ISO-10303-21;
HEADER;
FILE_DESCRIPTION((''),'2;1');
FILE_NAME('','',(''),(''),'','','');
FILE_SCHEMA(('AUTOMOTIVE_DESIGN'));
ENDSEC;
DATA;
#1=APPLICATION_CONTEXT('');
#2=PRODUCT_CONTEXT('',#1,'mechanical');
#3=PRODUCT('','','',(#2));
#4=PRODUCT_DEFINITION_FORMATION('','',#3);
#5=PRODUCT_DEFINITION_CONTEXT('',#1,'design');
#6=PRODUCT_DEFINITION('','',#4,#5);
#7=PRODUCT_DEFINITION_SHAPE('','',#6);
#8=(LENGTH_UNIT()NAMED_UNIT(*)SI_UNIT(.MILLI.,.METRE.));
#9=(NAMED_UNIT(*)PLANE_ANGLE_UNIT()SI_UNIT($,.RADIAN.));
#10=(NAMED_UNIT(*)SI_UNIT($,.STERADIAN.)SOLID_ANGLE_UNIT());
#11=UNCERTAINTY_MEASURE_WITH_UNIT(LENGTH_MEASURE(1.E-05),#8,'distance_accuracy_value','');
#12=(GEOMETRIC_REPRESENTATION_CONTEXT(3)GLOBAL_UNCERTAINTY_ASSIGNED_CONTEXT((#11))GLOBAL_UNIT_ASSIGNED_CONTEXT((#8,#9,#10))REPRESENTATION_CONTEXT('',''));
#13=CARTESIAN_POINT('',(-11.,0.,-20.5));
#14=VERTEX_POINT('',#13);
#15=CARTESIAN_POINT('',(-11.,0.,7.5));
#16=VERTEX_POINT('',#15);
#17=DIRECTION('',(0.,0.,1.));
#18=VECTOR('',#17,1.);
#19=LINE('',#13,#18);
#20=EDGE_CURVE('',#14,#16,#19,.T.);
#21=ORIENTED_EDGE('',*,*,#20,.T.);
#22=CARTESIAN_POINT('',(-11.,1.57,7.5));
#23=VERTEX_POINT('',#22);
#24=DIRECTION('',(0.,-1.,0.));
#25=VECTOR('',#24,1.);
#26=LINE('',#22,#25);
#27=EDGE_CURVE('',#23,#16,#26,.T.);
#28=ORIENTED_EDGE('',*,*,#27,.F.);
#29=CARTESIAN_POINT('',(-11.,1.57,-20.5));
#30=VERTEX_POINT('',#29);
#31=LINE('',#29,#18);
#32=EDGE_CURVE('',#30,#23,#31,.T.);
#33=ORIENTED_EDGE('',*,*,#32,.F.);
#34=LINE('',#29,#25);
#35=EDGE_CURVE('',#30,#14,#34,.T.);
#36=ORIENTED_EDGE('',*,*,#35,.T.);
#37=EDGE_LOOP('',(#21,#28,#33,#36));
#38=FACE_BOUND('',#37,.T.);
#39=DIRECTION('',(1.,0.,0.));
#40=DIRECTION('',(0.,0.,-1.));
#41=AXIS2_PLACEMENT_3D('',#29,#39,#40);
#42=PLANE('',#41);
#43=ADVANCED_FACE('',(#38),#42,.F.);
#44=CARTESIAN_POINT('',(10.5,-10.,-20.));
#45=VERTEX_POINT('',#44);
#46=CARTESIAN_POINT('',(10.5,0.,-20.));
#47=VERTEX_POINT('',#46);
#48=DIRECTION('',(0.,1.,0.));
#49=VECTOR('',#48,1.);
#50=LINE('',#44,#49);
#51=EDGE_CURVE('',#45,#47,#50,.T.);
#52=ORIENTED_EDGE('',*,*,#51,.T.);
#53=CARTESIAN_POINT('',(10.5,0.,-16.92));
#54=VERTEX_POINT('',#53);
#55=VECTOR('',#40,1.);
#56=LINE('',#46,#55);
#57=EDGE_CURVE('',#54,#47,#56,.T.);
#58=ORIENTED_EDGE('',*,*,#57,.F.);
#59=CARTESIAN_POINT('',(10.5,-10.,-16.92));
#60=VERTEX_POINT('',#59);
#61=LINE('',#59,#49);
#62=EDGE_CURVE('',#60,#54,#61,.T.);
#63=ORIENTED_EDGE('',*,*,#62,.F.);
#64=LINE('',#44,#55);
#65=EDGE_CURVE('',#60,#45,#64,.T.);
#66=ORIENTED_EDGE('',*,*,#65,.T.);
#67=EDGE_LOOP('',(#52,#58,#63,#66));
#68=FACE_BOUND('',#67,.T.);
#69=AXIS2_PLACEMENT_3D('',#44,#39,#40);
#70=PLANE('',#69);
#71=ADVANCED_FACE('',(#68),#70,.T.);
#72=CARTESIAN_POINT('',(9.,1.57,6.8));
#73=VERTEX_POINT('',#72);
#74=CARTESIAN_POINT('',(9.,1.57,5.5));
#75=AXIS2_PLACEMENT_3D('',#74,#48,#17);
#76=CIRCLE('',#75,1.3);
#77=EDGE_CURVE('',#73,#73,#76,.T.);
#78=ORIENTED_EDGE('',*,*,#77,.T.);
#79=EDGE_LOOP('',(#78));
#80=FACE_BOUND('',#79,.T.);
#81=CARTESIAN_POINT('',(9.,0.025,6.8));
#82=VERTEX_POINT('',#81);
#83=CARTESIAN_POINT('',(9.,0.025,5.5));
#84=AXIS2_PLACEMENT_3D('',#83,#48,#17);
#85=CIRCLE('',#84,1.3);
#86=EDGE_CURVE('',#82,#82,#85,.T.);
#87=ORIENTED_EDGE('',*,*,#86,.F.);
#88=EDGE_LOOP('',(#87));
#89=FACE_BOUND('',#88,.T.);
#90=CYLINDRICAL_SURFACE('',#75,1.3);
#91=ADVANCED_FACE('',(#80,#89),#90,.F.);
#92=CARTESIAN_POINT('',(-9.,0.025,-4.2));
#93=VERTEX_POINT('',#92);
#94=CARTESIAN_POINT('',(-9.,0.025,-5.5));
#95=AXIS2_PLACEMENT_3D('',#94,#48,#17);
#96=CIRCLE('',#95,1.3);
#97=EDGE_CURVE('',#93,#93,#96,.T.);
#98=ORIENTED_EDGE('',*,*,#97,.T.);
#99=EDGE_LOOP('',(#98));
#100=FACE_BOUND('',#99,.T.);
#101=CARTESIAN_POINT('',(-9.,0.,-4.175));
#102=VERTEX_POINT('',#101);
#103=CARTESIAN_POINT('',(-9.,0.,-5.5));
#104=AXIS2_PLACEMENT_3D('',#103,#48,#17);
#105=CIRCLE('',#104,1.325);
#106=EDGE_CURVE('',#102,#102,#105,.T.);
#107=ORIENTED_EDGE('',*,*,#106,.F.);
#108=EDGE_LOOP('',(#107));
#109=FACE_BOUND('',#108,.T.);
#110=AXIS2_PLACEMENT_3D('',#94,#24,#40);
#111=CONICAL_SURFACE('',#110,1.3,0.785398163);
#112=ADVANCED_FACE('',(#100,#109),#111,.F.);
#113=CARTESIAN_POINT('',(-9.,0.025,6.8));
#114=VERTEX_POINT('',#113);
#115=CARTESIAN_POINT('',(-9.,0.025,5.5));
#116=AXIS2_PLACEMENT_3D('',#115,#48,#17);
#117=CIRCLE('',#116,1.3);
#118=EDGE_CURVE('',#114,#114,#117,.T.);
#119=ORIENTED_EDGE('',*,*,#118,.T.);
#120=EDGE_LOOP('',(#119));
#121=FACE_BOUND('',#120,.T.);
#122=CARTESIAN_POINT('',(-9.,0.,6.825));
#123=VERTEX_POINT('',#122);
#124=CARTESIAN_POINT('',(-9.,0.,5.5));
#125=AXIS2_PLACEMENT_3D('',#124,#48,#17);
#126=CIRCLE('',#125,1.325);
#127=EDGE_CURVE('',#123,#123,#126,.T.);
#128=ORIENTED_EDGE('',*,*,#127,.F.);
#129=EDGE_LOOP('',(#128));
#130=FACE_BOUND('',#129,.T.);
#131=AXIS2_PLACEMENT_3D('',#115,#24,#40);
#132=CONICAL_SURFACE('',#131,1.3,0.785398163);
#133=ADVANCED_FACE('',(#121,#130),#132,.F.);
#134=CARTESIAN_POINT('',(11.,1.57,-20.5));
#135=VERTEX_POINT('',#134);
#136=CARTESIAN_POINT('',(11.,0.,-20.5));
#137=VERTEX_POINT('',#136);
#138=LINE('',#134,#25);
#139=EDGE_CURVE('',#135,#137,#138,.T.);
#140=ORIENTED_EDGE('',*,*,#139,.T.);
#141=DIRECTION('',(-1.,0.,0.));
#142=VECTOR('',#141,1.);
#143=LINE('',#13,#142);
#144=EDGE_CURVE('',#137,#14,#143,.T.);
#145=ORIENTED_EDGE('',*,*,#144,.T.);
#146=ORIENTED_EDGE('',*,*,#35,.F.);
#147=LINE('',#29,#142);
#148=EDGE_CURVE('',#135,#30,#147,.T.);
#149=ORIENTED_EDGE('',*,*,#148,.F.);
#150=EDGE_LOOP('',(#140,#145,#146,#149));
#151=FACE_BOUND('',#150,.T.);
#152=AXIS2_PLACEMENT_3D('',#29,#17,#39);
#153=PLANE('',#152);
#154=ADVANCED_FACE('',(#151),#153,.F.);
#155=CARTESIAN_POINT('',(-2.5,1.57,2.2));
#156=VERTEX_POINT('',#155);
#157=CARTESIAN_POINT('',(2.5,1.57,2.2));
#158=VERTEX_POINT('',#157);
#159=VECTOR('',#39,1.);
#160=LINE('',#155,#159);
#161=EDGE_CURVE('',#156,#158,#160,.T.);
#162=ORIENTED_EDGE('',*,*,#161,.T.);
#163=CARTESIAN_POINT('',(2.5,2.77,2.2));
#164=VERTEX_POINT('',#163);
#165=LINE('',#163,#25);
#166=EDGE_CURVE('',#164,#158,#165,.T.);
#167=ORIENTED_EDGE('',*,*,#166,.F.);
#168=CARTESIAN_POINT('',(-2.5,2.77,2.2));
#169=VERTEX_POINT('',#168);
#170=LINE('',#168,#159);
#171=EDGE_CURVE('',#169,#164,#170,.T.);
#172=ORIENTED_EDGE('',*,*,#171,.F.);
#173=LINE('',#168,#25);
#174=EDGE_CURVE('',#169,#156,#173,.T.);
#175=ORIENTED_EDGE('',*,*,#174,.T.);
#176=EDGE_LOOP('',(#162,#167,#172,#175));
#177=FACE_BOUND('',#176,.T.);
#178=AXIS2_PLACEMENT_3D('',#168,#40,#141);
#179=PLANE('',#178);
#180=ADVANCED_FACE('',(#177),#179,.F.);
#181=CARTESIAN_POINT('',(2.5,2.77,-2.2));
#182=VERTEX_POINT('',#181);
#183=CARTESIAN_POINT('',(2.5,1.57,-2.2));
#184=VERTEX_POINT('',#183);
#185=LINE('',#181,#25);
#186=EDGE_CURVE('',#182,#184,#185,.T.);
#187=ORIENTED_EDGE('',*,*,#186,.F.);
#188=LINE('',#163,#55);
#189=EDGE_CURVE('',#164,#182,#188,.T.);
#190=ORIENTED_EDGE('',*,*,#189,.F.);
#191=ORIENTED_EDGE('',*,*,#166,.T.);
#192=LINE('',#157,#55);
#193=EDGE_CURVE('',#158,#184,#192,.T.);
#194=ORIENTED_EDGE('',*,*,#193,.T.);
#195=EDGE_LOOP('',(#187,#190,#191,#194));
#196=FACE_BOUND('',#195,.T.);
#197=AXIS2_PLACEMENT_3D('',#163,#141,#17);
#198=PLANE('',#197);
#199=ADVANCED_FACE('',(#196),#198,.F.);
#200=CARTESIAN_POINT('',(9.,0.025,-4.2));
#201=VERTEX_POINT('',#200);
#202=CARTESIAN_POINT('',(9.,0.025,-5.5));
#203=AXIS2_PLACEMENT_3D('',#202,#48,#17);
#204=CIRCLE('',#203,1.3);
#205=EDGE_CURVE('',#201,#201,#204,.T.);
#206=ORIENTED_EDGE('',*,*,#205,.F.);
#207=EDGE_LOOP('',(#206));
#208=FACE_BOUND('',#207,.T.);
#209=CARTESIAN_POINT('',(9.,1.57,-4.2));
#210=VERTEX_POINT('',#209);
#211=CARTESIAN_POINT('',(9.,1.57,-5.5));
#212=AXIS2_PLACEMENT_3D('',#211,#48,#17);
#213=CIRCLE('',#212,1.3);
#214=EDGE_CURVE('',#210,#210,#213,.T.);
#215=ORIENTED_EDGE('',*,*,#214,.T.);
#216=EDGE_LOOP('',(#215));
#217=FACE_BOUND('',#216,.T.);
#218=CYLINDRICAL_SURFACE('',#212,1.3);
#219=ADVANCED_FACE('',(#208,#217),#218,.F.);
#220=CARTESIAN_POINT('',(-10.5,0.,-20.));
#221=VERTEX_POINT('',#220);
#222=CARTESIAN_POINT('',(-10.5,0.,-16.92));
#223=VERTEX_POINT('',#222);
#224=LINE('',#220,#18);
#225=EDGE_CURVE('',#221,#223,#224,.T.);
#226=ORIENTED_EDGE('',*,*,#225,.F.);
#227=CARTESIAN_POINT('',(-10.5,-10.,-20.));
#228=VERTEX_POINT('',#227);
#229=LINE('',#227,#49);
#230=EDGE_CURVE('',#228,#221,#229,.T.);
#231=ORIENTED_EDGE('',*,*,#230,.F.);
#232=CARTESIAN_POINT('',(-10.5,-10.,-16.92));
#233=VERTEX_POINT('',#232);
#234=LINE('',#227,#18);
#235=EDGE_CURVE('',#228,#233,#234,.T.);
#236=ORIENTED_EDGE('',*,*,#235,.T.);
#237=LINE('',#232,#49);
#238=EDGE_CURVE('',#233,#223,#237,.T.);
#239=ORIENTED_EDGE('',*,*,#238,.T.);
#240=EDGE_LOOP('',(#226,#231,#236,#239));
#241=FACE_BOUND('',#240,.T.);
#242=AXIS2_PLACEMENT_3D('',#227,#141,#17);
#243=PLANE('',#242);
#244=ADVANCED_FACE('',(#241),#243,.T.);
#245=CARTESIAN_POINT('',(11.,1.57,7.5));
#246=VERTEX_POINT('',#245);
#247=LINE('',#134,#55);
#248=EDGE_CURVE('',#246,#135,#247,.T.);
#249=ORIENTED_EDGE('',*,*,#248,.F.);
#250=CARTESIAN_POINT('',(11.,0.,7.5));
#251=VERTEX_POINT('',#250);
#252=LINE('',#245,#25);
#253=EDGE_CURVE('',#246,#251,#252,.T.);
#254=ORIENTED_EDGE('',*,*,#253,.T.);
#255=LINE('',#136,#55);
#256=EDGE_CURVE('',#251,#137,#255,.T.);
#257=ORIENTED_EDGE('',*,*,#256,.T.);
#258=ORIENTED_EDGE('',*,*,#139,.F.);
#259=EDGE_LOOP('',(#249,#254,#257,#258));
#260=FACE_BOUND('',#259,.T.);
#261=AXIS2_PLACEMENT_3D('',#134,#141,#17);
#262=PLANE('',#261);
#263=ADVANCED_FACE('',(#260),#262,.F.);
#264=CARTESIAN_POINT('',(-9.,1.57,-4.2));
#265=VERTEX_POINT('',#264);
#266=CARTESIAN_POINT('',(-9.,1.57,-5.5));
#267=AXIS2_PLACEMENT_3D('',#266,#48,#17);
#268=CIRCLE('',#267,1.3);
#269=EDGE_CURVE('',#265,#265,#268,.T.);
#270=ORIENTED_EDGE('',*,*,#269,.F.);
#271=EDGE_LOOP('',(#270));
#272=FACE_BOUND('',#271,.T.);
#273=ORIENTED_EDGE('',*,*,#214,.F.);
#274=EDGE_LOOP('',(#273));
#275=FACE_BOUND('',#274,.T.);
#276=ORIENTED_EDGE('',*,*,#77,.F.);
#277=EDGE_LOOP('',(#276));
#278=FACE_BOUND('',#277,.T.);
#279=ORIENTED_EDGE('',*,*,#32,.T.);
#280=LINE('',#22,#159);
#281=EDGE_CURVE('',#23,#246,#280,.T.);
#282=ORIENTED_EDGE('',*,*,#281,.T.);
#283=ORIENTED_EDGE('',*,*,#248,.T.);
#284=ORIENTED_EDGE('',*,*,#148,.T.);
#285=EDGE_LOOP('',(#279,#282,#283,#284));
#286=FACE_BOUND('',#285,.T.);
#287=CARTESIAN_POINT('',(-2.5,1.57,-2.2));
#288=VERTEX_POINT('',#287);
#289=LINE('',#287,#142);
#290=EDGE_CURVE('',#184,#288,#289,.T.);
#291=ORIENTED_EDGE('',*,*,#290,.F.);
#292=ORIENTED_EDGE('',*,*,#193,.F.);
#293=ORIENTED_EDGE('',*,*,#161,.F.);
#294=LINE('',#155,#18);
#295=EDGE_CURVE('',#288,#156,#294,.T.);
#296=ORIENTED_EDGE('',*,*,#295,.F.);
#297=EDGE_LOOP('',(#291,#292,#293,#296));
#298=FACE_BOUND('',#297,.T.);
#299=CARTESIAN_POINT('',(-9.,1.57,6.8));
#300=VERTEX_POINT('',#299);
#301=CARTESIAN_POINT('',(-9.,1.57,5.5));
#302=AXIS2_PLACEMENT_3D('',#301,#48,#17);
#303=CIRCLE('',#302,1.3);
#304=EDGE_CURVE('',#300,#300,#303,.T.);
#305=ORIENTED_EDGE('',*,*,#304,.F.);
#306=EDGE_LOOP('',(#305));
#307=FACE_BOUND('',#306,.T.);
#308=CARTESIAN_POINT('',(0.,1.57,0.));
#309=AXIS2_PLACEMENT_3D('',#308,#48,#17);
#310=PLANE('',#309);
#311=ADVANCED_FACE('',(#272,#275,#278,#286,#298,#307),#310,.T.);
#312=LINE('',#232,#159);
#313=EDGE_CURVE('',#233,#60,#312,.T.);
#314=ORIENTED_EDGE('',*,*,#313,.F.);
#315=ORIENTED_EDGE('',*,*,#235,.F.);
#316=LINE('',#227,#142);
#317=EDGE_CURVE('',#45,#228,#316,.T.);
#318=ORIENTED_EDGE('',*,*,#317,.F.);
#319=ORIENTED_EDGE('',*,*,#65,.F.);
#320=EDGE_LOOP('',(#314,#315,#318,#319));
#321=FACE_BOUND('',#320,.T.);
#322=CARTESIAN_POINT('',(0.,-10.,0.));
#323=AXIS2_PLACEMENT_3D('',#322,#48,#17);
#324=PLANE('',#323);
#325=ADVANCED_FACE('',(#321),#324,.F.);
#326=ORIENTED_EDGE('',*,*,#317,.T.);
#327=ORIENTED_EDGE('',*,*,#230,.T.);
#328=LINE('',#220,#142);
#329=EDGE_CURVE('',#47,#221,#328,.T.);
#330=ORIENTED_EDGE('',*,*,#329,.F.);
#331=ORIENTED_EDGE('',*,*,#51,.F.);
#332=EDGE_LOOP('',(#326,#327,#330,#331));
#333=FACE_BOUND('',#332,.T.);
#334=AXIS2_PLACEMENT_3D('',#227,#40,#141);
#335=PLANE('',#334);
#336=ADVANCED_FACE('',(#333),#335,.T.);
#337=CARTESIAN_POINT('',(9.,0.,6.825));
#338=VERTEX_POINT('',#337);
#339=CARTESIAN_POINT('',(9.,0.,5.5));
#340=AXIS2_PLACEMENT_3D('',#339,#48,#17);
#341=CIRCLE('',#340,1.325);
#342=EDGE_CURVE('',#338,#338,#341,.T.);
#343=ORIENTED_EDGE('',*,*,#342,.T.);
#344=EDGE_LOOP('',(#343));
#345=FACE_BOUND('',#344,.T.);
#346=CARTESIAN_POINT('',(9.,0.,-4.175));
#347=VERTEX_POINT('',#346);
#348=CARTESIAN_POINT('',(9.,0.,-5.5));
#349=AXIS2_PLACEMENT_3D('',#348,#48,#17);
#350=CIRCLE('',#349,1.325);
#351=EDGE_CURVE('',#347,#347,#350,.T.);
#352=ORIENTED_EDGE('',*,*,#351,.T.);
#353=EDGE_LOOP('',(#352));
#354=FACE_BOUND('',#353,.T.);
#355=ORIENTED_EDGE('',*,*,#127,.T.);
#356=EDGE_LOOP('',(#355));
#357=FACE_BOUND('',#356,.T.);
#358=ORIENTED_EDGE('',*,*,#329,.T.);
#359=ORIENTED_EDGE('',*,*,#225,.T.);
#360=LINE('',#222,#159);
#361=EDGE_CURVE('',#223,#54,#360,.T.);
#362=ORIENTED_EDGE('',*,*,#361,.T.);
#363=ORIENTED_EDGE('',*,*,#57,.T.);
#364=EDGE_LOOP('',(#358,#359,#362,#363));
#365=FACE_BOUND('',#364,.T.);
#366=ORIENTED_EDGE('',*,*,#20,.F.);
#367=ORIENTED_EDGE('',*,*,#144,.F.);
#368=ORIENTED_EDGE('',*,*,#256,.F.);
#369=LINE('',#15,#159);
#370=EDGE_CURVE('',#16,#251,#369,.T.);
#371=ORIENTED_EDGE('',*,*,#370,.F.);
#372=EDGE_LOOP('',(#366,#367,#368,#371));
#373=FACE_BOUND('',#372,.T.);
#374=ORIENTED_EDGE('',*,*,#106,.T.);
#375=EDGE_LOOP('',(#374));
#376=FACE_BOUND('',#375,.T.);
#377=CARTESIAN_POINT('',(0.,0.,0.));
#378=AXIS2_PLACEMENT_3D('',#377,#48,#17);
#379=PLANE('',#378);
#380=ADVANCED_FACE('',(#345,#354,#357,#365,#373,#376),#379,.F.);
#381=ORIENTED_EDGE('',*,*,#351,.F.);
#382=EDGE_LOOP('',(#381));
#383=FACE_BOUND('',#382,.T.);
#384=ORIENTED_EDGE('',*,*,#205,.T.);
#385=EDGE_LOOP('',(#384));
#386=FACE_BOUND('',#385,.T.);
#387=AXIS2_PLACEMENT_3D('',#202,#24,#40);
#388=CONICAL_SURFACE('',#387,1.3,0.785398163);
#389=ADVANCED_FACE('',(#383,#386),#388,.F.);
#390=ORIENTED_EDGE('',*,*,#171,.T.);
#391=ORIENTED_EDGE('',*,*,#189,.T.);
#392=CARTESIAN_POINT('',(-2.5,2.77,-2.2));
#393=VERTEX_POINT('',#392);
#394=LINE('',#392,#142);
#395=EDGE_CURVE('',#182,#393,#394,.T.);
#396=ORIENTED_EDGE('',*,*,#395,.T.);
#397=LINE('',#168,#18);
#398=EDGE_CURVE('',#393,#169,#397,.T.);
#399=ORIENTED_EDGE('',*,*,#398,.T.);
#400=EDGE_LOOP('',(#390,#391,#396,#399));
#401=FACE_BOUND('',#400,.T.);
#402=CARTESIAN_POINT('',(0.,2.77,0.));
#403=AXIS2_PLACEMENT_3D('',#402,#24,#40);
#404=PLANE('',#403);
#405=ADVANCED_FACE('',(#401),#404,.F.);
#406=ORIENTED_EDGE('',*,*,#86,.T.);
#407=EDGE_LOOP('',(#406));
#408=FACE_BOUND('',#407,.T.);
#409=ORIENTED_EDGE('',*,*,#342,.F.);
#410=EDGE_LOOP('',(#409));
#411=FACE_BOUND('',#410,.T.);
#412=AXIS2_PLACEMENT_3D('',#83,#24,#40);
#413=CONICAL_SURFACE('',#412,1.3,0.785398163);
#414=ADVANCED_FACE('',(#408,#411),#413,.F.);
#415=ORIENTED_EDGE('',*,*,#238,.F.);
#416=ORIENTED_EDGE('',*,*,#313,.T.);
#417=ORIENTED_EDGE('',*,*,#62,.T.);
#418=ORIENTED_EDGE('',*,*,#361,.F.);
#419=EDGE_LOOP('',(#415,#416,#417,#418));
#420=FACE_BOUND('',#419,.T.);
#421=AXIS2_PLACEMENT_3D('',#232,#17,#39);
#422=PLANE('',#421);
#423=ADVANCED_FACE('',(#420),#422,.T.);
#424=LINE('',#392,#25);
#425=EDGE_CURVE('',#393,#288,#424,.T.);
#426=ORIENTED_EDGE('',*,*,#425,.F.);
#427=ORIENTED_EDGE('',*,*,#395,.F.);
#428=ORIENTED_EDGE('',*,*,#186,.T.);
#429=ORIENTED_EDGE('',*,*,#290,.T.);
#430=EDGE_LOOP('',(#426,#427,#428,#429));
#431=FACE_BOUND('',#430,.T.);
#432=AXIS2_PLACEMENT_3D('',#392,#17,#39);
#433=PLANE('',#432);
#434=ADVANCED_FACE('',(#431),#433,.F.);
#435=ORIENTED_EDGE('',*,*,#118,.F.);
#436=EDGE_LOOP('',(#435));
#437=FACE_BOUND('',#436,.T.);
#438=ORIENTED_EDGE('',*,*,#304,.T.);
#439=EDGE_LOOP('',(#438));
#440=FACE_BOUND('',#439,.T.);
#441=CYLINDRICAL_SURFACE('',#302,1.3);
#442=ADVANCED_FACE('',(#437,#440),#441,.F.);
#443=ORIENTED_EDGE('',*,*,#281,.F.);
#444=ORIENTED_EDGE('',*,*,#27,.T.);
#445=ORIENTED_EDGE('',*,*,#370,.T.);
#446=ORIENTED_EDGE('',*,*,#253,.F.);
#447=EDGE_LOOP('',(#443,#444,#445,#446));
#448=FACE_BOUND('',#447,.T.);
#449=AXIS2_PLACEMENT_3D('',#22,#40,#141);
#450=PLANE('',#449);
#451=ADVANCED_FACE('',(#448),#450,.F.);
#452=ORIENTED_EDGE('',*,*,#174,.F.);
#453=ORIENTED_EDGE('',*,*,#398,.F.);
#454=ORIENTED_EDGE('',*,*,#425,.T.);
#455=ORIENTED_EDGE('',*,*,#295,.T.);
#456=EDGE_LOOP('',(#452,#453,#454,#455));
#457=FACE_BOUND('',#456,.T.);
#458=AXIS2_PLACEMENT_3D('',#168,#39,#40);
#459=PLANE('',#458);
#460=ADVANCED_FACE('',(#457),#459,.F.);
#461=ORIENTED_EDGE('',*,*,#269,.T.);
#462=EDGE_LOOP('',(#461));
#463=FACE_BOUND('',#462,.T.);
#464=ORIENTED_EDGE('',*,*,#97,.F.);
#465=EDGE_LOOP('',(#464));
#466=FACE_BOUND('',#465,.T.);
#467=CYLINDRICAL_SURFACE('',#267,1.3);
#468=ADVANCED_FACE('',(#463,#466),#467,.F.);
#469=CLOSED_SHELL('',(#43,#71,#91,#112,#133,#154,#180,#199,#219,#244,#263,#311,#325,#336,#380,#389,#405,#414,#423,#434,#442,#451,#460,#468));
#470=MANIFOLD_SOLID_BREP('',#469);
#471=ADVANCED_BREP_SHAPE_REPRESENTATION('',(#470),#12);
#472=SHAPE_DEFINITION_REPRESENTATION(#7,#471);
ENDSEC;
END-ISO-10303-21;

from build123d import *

# Parameters (mm, degrees)
SKETCH1_W                           = 22
SKETCH1_H                           = 28
BOSS_EXTRUDE1_DEPTH                 = 1.57
F_2_6_2_6_DIAMETER_HOLE1_AT_2_COUNT = 2
F_2_6_2_6_DIAMETER_HOLE1_AT_2_PITCH = 11
F_2_6_2_6_DIAMETER_HOLE1_AT_3_COUNT = 2
F_2_6_2_6_DIAMETER_HOLE1_AT_3_PITCH = 21.09502311
F_2_6_2_6_DIAMETER_HOLE1_AT_4_COUNT = 2
F_2_6_2_6_DIAMETER_HOLE1_AT_4_PITCH = 18
SKETCH5_W                           = 5
SKETCH5_H                           = 4.4
BOSS_EXTRUDE2_DEPTH                 = 1.2
SKETCH6_W                           = 21
SKETCH6_H                           = 3.08
BOSS_EXTRUDE3_DEPTH                 = 10


with BuildPart() as part:
    # Sketch1 → Boss-Extrude1 (new body)
    with BuildSketch(Plane(origin=(0, 0, 0), x_dir=(1, 0, 0), z_dir=(0, 1, 0))):
        with Locations((0, 6.5)):
            Rectangle(SKETCH1_W, SKETCH1_H)
    extrude(amount=BOSS_EXTRUDE1_DEPTH)

    # Sketch3 → Ø2.6 (2.6) Diameter Hole1 (revolve, cut)
    with BuildSketch(Plane(origin=(-9, 1.57, -5.5), x_dir=(0, 0, 1), z_dir=(1, 0, 0))):
        Polygon((0, 0), (0, 1.57), (1.325, 1.57), (1.3, 1.545), (1.3, 0), align=None)
    f_2_6_2_6_diameter_hole1 = revolve(axis=Axis((-9, 7.92, -5.5), (0, -1, 0)), mode=Mode.SUBTRACT)

    # Ø2.6 (2.6) Diameter Hole1 at 2: Ø2.6 (2.6) Diameter Hole1 ×2
    with Locations(*[(0, 0, i * F_2_6_2_6_DIAMETER_HOLE1_AT_2_PITCH) for i in range(1, F_2_6_2_6_DIAMETER_HOLE1_AT_2_COUNT)]):
        add(f_2_6_2_6_diameter_hole1, mode=Mode.SUBTRACT)

    # Ø2.6 (2.6) Diameter Hole1 at 3: Ø2.6 (2.6) Diameter Hole1 ×2
    with Locations(*[Vector(0.853281834, 0, 0.521450009) * (i * F_2_6_2_6_DIAMETER_HOLE1_AT_3_PITCH) for i in range(1, F_2_6_2_6_DIAMETER_HOLE1_AT_3_COUNT)]):
        add(f_2_6_2_6_diameter_hole1, mode=Mode.SUBTRACT)

    # Ø2.6 (2.6) Diameter Hole1 at 4: Ø2.6 (2.6) Diameter Hole1 ×2
    with Locations(*[(i * F_2_6_2_6_DIAMETER_HOLE1_AT_4_PITCH, 0, 0) for i in range(1, F_2_6_2_6_DIAMETER_HOLE1_AT_4_COUNT)]):
        add(f_2_6_2_6_diameter_hole1, mode=Mode.SUBTRACT)

    # Sketch5 → Boss-Extrude2 (add)
    with BuildSketch(Plane(origin=(0, 1.57, 0), x_dir=(1, 0, 0), z_dir=(0, 1, 0))):
        Rectangle(SKETCH5_W, SKETCH5_H)
    extrude(amount=BOSS_EXTRUDE2_DEPTH)

    # Sketch6 → Boss-Extrude3 (add)
    with BuildSketch(Plane(origin=(0, 0, 0), x_dir=(1, 0, 0), z_dir=(0, 1, 0))):
        with Locations((0, 18.46)):
            Rectangle(SKETCH6_W, SKETCH6_H)
    extrude(amount=-BOSS_EXTRUDE3_DEPTH)


solid = part.part
